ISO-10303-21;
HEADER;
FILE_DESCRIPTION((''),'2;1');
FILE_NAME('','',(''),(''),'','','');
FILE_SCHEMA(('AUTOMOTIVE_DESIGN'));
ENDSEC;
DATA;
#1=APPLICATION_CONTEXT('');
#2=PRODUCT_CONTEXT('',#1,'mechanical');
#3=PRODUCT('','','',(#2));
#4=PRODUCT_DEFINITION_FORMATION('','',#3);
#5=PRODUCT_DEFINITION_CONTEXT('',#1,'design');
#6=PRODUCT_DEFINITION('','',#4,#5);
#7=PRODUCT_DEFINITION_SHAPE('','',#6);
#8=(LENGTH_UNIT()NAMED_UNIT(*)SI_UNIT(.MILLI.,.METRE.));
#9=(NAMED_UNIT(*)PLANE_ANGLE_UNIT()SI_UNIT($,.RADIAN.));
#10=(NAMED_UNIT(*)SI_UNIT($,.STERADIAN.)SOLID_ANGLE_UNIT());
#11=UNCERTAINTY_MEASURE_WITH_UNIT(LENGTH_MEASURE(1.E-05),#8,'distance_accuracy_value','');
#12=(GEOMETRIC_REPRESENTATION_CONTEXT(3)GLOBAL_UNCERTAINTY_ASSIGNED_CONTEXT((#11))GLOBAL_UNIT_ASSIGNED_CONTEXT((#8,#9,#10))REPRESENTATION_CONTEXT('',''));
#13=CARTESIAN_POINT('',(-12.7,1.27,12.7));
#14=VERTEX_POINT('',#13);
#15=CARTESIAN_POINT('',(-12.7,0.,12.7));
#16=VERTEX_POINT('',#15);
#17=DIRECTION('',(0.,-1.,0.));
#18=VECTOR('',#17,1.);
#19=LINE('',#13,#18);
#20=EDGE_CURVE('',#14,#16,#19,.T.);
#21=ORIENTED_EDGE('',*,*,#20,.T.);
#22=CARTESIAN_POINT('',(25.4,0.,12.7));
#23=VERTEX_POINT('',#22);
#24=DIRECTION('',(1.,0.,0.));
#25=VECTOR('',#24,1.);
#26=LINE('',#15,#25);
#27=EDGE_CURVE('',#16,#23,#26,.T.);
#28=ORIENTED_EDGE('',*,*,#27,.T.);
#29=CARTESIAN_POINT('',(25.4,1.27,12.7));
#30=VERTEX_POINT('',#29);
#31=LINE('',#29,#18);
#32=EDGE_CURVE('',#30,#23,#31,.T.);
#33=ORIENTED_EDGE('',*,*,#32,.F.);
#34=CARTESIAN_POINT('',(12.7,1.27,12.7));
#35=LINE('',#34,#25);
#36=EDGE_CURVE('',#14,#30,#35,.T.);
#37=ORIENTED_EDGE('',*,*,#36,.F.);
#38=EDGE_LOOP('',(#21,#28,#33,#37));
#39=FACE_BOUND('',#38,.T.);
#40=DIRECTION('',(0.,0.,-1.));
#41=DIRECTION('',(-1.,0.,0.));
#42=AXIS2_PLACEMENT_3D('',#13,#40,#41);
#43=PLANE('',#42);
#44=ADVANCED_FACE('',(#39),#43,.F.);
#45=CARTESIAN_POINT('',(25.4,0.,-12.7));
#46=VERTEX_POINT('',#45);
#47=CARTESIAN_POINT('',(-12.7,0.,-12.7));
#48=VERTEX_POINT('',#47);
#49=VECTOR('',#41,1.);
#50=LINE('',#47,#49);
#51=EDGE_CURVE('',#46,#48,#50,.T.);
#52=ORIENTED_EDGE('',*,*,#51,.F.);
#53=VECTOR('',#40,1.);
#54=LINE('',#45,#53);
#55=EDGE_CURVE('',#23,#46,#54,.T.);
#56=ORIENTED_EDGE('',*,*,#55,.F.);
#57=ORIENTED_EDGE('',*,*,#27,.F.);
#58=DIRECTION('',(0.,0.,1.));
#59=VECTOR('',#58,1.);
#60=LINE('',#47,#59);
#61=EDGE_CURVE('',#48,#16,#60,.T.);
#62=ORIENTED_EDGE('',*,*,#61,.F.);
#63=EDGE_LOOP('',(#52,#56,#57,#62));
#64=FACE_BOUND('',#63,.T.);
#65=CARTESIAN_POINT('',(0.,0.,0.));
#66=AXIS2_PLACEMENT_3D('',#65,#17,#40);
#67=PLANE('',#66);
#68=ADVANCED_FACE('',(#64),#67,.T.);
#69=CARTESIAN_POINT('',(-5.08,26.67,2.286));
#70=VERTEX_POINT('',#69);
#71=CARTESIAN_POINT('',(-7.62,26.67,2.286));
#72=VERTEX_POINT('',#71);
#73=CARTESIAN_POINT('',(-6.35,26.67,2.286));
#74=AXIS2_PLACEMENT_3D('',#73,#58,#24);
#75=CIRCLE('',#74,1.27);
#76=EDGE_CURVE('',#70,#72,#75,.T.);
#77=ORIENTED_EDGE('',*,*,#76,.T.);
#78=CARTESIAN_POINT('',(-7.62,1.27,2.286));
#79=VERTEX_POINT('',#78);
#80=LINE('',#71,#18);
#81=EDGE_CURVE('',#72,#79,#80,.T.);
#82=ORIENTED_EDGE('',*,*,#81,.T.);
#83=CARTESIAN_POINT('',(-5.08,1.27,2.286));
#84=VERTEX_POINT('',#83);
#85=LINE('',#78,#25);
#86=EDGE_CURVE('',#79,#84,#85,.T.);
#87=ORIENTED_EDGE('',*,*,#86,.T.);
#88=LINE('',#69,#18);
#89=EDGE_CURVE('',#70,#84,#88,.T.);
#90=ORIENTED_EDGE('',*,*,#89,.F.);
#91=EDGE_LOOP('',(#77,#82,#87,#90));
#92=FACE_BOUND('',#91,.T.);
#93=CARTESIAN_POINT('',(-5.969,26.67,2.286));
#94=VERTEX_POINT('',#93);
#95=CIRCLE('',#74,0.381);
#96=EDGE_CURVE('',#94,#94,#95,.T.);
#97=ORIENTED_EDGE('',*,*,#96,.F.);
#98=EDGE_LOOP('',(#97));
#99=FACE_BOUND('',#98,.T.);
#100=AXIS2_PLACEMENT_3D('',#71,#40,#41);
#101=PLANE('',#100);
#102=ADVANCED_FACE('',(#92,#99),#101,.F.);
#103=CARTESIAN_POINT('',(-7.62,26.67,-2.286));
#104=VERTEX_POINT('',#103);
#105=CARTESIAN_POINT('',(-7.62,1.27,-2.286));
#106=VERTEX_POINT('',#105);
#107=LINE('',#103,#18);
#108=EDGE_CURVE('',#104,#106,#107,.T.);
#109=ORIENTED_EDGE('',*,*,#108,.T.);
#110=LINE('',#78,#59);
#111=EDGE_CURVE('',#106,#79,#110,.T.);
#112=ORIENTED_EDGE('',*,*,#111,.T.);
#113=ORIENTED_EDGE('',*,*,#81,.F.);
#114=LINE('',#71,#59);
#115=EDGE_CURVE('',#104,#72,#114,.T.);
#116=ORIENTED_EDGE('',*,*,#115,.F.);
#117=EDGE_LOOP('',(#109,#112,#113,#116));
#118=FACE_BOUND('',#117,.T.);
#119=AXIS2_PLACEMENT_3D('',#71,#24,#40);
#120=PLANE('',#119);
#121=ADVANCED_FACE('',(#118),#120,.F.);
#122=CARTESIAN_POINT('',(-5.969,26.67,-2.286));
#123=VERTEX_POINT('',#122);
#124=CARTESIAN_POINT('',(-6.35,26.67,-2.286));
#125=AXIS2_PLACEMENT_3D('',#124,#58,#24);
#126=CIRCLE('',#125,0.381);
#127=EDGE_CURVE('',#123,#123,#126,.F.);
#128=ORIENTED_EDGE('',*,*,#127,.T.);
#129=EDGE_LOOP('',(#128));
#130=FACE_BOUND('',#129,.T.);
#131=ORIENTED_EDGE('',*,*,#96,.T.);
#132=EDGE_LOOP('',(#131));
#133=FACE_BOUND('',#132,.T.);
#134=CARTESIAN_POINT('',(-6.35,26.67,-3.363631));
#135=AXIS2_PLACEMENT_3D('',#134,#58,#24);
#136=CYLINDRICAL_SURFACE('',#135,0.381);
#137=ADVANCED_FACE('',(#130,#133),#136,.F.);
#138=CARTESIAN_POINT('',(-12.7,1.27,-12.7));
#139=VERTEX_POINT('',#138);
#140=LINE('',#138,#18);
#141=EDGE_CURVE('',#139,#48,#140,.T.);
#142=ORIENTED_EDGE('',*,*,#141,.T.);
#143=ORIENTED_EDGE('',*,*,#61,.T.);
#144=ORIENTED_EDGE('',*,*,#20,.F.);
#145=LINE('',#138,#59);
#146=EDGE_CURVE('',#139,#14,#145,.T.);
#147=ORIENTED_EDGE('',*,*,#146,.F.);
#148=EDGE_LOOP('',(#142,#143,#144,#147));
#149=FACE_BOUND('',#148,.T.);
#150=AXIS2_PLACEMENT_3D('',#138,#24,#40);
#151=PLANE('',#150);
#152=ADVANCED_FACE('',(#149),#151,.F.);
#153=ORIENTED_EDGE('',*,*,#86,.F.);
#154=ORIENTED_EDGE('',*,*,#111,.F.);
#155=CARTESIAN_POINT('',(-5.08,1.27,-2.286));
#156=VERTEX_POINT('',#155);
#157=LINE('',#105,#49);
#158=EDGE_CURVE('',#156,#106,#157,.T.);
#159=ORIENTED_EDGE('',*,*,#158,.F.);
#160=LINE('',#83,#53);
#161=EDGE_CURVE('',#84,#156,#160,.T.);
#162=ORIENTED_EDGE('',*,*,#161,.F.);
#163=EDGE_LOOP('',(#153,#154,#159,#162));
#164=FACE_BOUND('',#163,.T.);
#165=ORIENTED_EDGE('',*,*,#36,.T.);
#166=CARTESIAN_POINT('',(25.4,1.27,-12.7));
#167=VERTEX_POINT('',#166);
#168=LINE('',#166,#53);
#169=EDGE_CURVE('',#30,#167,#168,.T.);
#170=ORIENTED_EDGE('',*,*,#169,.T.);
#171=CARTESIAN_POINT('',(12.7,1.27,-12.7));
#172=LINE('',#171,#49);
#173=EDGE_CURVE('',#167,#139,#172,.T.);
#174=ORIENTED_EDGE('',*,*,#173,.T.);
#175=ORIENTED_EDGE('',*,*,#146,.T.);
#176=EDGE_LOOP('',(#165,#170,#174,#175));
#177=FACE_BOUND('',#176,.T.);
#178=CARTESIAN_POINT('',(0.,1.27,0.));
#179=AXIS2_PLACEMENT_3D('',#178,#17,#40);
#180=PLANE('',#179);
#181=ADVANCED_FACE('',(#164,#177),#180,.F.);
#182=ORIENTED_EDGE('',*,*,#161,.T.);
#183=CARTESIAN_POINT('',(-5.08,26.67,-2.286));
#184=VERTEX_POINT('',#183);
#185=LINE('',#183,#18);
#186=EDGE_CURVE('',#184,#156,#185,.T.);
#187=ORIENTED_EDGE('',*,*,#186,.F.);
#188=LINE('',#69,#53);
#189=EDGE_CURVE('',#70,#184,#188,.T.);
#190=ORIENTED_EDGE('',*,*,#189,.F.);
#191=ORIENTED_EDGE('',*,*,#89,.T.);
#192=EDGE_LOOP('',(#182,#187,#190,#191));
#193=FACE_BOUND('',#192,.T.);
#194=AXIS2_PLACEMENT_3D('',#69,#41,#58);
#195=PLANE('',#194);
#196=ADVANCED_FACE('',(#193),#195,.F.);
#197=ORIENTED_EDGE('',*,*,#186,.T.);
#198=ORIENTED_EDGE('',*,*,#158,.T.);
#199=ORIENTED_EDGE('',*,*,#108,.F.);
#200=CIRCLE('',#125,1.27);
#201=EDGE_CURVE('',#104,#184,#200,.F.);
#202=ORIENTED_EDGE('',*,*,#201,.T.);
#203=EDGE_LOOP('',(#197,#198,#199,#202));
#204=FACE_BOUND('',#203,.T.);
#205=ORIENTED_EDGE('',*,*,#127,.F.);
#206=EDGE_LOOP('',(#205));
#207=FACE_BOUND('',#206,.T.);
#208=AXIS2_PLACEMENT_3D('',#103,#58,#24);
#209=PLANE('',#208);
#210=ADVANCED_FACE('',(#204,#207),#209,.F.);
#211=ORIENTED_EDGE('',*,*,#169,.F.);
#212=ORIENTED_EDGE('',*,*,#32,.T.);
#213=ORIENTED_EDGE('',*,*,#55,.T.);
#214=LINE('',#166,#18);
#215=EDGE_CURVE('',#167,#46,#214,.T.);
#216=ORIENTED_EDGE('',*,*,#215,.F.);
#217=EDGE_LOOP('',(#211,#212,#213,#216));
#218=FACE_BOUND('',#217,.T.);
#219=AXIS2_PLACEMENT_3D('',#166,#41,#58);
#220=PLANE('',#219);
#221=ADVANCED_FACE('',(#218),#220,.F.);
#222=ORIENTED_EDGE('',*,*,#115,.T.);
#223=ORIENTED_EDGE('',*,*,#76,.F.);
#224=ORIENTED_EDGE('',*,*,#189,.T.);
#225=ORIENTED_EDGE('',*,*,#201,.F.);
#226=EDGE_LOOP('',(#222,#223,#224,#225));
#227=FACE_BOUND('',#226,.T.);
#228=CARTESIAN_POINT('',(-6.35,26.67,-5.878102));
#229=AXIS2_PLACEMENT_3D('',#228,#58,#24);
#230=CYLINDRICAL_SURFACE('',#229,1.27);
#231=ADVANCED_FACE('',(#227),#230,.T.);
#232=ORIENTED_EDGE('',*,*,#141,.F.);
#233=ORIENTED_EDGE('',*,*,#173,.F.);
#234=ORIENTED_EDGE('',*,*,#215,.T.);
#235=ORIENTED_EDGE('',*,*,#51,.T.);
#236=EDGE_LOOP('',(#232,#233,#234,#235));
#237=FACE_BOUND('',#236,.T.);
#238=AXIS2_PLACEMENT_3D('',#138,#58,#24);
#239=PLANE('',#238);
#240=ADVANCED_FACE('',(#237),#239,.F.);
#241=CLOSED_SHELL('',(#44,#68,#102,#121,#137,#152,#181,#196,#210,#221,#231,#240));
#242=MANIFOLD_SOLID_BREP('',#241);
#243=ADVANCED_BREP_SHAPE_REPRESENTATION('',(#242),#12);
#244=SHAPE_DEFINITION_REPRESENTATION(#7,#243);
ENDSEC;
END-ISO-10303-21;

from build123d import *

# Parameters (mm, degrees)
BOSS_EXTRUDE1_DEPTH = 1.27
SKETCH2_W           = 2.54
SKETCH2_H           = 4.572
BOSS_EXTRUDE2_DEPTH = 25.4
SKETCH3_R           = 1.27
BOSS_EXTRUDE3_DEPTH = 4.572
SKETCH4_R           = 0.381
CUT_EXTRUDE1_DEPTH  = 4.572


with BuildPart() as part:
    # Sketch1 → Boss-Extrude1 (new body)
    with BuildSketch(Plane(origin=(0, 0, 0), x_dir=(1, 0, 0), z_dir=(0, 1, 0))):
        Polygon((-12.7, 12.7), (12.7, 12.7), (25.4, 12.7), (25.4, -12.7), (12.7, -12.7), (-12.7, -12.7), align=None)
    extrude(amount=BOSS_EXTRUDE1_DEPTH)

    # Sketch2 → Boss-Extrude2 (add)
    with BuildSketch(Plane(origin=(0, 1.27, 0), x_dir=(1, 0, 0), z_dir=(0, 1, 0))):
        with Locations((-6.35, 0)):
            Rectangle(SKETCH2_W, SKETCH2_H)
    extrude(amount=BOSS_EXTRUDE2_DEPTH)

    # Sketch3 → Boss-Extrude3 (add)
    with BuildSketch(Plane.XY.offset(2.286)):
        with Locations((-6.35, 26.67)):
            Circle(SKETCH3_R)
    extrude(amount=-BOSS_EXTRUDE3_DEPTH)

    # Sketch4 → Cut-Extrude1 (cut)
    with BuildSketch(Plane.XY.offset(2.286)):
        with Locations((-6.35, 26.67)):
            Circle(SKETCH4_R)
    extrude(amount=-CUT_EXTRUDE1_DEPTH, mode=Mode.SUBTRACT)


solid = part.part
